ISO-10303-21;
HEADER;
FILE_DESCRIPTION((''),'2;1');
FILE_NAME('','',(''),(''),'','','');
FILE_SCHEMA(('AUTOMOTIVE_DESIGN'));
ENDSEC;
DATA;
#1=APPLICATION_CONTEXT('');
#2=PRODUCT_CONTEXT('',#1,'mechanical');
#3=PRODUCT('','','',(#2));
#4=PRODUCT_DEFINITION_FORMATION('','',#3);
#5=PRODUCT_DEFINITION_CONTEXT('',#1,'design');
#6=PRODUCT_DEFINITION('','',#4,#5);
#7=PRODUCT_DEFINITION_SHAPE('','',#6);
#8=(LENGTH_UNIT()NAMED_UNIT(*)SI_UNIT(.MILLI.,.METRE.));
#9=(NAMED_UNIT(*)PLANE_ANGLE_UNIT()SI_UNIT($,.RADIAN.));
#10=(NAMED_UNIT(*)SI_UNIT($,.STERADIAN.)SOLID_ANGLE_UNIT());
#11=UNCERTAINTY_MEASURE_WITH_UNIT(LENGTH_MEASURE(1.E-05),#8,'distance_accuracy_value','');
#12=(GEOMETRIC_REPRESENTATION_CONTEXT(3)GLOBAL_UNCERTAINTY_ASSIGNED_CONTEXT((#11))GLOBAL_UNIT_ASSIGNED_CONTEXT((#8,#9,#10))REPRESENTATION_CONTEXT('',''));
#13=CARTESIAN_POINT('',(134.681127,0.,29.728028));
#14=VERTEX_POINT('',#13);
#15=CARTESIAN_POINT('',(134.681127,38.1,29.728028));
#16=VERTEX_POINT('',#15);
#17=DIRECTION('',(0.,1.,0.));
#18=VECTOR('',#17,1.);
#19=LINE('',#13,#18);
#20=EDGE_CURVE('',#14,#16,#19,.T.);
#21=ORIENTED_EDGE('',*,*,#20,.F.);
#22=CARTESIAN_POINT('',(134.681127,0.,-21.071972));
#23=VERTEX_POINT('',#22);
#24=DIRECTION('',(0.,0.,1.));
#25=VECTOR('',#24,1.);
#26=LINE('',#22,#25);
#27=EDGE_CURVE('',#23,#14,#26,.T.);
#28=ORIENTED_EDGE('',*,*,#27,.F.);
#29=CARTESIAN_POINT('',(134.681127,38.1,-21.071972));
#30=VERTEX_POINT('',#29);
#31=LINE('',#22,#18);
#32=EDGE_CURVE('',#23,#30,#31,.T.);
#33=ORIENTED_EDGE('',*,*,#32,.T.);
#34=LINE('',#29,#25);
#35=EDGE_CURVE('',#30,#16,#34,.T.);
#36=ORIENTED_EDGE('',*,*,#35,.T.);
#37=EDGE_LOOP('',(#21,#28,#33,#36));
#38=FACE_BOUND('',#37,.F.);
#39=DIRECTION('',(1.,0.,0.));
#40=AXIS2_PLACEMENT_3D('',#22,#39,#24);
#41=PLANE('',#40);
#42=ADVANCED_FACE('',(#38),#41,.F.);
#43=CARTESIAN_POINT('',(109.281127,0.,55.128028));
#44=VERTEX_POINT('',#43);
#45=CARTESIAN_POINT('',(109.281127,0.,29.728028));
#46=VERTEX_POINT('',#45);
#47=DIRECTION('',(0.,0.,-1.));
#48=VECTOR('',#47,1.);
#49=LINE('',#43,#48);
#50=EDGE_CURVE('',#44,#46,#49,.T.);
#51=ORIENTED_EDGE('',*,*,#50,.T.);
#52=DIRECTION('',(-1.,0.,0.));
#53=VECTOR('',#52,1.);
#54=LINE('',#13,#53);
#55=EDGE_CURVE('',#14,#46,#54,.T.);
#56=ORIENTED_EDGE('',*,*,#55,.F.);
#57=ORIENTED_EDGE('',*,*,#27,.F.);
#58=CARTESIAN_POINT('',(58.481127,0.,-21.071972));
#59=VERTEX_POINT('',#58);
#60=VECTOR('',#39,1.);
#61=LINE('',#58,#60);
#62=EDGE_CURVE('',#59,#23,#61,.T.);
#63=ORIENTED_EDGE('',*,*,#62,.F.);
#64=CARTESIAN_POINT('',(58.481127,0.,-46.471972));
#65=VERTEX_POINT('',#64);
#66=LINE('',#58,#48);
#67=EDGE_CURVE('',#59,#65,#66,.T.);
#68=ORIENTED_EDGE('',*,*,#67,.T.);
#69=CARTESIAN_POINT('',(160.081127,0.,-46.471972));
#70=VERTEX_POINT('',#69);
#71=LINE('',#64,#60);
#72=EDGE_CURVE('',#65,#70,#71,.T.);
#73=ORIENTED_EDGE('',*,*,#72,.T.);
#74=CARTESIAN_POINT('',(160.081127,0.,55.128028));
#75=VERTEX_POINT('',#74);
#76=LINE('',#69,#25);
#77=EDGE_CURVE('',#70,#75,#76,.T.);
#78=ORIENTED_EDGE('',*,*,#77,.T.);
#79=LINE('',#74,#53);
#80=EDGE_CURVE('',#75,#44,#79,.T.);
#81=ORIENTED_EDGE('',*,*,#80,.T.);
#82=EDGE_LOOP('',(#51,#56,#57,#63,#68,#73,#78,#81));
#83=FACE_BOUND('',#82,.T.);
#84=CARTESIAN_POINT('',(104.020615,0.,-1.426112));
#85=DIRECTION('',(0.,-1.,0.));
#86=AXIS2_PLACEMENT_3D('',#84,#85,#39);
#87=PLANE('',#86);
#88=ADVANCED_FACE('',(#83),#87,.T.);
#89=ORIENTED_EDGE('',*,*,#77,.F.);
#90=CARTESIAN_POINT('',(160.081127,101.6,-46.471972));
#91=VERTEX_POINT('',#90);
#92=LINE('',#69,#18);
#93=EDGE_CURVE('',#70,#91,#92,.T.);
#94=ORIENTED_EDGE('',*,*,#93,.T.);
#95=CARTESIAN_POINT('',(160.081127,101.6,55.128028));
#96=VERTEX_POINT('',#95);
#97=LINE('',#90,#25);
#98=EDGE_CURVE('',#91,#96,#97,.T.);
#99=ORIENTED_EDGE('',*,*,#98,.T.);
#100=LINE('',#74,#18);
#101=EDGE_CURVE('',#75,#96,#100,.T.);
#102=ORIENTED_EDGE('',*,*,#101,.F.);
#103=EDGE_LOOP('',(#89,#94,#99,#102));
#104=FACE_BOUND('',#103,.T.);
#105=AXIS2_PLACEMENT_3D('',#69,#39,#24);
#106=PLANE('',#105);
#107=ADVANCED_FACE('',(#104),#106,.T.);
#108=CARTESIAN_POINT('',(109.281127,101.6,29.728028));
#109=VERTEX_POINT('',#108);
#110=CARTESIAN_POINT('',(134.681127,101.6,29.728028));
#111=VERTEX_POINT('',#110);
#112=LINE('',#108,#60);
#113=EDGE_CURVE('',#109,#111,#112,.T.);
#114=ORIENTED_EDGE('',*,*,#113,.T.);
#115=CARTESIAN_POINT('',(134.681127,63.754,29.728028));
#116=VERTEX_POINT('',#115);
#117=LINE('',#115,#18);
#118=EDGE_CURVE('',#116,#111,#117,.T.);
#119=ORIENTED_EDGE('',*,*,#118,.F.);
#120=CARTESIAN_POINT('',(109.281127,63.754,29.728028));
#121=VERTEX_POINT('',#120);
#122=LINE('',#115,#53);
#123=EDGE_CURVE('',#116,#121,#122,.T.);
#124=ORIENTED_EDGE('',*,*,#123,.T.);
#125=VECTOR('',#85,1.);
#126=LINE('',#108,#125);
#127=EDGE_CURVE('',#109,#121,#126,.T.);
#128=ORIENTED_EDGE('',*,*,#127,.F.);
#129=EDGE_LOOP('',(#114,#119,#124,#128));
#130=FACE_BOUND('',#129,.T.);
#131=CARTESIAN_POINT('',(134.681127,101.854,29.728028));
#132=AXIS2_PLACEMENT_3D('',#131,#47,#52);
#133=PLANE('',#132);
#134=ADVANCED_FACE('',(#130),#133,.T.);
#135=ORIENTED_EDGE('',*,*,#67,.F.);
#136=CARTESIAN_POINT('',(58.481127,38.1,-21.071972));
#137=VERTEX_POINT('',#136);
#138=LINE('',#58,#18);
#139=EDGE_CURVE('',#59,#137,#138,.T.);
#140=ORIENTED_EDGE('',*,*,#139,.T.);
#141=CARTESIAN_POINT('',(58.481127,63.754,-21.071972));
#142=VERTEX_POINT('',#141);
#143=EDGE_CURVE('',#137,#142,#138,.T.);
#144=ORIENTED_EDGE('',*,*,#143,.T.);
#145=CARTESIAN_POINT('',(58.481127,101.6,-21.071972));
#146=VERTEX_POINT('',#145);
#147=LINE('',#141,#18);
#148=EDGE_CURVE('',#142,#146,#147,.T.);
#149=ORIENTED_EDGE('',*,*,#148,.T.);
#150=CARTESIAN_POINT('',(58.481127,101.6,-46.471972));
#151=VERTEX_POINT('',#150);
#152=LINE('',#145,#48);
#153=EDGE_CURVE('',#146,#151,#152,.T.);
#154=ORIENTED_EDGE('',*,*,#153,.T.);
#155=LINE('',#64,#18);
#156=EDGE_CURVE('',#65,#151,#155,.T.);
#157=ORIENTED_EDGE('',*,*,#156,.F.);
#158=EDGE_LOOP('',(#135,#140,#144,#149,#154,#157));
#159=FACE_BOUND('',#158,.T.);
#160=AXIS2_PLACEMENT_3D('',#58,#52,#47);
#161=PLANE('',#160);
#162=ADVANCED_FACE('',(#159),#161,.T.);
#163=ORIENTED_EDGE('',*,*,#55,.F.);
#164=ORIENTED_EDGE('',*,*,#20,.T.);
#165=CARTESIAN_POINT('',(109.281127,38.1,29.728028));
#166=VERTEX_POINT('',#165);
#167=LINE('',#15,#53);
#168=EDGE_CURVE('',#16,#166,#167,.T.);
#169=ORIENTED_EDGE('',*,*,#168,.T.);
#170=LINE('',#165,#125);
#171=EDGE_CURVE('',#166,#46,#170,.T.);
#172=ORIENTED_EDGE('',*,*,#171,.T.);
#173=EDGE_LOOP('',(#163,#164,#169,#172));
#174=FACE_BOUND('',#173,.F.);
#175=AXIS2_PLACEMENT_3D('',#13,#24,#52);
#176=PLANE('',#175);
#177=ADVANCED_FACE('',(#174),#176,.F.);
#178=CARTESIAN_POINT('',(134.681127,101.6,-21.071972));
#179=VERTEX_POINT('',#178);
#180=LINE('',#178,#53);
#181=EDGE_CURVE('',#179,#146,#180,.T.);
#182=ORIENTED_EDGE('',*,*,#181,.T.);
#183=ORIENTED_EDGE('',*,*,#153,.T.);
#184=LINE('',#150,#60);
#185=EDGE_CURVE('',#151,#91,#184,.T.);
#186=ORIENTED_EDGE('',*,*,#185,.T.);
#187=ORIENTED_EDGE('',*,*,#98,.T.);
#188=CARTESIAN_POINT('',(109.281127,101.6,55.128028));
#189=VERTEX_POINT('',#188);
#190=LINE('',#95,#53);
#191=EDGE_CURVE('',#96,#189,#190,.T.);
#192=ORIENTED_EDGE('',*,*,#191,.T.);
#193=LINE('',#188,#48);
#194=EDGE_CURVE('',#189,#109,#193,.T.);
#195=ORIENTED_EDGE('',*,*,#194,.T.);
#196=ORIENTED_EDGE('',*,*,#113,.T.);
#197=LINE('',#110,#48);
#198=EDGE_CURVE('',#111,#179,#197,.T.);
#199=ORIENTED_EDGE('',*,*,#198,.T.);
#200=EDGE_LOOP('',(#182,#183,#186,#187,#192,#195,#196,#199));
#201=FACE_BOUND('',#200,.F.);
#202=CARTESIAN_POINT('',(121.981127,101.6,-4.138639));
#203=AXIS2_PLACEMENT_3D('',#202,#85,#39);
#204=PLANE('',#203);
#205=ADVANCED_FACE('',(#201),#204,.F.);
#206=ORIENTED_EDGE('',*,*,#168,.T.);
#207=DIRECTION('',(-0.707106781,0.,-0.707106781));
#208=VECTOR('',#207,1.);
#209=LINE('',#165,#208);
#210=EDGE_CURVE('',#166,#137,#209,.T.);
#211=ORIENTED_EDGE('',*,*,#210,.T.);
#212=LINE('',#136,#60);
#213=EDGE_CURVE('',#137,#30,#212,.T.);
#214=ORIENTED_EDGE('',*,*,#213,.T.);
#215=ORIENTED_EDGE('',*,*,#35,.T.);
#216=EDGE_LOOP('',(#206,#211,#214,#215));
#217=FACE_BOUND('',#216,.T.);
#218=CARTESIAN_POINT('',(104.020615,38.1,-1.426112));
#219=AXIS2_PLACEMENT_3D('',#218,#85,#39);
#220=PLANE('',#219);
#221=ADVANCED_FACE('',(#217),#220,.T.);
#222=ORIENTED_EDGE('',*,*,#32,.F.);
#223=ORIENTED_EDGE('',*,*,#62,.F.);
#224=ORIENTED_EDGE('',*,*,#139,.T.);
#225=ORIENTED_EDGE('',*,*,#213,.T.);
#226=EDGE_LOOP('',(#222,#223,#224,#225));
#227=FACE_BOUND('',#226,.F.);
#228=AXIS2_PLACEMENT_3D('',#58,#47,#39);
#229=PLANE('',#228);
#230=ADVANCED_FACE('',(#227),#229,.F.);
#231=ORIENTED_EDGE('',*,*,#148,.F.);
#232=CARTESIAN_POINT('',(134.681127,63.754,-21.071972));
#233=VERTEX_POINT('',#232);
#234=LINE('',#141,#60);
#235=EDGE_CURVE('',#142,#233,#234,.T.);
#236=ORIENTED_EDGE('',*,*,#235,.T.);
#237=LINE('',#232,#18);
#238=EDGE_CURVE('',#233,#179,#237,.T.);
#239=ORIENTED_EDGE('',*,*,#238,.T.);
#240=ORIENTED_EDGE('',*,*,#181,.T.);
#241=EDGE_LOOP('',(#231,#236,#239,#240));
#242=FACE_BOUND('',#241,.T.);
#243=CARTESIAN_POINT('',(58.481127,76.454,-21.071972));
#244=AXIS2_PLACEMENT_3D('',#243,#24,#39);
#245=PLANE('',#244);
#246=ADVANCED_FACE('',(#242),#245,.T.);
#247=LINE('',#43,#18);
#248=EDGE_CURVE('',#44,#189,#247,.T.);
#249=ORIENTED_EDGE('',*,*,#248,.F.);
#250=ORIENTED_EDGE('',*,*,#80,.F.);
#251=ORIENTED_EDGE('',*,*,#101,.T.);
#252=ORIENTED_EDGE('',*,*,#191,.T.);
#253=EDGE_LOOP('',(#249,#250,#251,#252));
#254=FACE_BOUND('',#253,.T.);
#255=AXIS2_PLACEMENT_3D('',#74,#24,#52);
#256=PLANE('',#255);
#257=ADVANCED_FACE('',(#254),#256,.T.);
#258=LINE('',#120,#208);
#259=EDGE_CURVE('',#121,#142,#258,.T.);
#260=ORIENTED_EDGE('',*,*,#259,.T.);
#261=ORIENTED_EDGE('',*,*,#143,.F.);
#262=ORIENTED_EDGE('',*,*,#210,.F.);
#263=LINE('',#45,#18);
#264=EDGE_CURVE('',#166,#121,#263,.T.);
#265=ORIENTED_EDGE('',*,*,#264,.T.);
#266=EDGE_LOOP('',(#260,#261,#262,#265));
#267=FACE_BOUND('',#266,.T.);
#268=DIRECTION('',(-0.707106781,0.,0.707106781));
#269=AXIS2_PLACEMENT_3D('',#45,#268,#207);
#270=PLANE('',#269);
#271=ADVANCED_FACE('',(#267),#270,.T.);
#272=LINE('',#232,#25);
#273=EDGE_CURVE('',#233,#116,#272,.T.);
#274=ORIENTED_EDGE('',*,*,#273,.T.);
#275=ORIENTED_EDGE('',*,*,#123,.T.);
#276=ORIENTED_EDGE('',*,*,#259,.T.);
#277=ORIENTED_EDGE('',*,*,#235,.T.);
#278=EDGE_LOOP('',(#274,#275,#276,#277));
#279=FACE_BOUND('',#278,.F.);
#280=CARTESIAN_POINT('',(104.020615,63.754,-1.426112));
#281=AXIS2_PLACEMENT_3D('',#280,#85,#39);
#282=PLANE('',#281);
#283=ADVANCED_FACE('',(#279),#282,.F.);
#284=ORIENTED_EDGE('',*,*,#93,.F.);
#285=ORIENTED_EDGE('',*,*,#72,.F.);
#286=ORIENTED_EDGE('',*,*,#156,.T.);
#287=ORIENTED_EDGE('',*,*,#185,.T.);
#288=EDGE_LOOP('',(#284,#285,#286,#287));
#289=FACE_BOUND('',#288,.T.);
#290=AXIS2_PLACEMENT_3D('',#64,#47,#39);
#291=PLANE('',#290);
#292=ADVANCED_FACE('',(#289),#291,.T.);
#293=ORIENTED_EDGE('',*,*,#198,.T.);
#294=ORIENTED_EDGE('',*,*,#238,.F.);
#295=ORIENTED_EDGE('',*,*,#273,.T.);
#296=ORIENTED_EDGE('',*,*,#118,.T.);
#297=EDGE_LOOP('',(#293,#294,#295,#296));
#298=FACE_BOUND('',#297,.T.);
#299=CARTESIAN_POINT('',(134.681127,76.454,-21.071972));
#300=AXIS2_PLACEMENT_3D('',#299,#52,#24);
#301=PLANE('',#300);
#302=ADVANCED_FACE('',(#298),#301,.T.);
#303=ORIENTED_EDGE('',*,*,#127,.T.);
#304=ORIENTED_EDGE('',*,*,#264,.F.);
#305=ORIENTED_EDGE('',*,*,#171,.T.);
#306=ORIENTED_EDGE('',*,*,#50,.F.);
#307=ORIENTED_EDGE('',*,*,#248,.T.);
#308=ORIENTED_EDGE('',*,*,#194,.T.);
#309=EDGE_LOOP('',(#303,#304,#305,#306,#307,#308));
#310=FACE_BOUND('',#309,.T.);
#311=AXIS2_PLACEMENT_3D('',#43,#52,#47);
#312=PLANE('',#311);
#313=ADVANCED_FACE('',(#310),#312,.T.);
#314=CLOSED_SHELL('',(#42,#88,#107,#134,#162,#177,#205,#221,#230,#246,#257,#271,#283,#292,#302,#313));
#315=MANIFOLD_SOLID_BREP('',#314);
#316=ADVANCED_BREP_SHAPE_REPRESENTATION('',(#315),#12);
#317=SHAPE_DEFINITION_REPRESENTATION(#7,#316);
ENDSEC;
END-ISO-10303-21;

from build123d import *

# Parameters (mm, degrees)
F1_DEPTH = 101.6
F3_DEPTH = 101.854
F5_DEPTH = 25.4
F6_DEPTH = 25.4
F7_DEPTH = 12.7
F8_DEPTH = 12.7


with BuildPart() as f1:
    # F0 (on Front) → F1 (new body)
    with BuildSketch(Plane.XZ):
        Polygon((160.0811270237, -46.4719723254), (160.0811270237, 55.1280276746), (109.2811270237, 55.1280276746), (109.2811270237, 29.7280276746), (134.6811270237, 29.7280276746), (134.6811270237, -21.0719723254), (58.4811270237, -21.0719723254), (58.4811270237, -46.4719723254), align=None)
    extrude(amount=-F1_DEPTH)

    # F2 (on face) → F3 (join)
    with BuildSketch(Plane.XZ):
        Polygon((109.2811270237, 29.7280276746), (58.4811270237, -21.0719723254), (134.6811270237, -21.0719723254), (134.6811270237, 29.7280276746), align=None)
    extrude(amount=-F3_DEPTH)

    # F4 (on face) → F5 (cut)
    with BuildSketch(Plane.XZ):
        Polygon((109.2811270237, 29.7280276746), (58.4811270237, -21.0719723254), (134.6811270237, -21.0719723254), (134.6811270237, 29.7280276746), align=None)
    extrude(amount=-F5_DEPTH, mode=Mode.SUBTRACT)

    # F6 (cut): a face of the model
    f6_faces = [f1.faces().sort_by_distance(p)[0] for p in [
        (107.164460357, 101.854, 0.0946943412),
    ]]
    extrude(f6_faces, amount=-F6_DEPTH, mode=Mode.SUBTRACT)

    # F7 (cut): a face of the model
    f7_faces = [f1.faces().sort_by_distance(p)[0] for p in [
        (107.164460357, 25.4, 0.0946943412),
    ]]
    extrude(f7_faces, amount=-F7_DEPTH, mode=Mode.SUBTRACT)

    # F8 (cut): a face of the model
    f8_faces = [f1.faces().sort_by_distance(p)[0] for p in [
        (107.164460357, 76.454, 0.0946943412),
    ]]
    extrude(f8_faces, amount=-F8_DEPTH, mode=Mode.SUBTRACT)


solid = f1.part
